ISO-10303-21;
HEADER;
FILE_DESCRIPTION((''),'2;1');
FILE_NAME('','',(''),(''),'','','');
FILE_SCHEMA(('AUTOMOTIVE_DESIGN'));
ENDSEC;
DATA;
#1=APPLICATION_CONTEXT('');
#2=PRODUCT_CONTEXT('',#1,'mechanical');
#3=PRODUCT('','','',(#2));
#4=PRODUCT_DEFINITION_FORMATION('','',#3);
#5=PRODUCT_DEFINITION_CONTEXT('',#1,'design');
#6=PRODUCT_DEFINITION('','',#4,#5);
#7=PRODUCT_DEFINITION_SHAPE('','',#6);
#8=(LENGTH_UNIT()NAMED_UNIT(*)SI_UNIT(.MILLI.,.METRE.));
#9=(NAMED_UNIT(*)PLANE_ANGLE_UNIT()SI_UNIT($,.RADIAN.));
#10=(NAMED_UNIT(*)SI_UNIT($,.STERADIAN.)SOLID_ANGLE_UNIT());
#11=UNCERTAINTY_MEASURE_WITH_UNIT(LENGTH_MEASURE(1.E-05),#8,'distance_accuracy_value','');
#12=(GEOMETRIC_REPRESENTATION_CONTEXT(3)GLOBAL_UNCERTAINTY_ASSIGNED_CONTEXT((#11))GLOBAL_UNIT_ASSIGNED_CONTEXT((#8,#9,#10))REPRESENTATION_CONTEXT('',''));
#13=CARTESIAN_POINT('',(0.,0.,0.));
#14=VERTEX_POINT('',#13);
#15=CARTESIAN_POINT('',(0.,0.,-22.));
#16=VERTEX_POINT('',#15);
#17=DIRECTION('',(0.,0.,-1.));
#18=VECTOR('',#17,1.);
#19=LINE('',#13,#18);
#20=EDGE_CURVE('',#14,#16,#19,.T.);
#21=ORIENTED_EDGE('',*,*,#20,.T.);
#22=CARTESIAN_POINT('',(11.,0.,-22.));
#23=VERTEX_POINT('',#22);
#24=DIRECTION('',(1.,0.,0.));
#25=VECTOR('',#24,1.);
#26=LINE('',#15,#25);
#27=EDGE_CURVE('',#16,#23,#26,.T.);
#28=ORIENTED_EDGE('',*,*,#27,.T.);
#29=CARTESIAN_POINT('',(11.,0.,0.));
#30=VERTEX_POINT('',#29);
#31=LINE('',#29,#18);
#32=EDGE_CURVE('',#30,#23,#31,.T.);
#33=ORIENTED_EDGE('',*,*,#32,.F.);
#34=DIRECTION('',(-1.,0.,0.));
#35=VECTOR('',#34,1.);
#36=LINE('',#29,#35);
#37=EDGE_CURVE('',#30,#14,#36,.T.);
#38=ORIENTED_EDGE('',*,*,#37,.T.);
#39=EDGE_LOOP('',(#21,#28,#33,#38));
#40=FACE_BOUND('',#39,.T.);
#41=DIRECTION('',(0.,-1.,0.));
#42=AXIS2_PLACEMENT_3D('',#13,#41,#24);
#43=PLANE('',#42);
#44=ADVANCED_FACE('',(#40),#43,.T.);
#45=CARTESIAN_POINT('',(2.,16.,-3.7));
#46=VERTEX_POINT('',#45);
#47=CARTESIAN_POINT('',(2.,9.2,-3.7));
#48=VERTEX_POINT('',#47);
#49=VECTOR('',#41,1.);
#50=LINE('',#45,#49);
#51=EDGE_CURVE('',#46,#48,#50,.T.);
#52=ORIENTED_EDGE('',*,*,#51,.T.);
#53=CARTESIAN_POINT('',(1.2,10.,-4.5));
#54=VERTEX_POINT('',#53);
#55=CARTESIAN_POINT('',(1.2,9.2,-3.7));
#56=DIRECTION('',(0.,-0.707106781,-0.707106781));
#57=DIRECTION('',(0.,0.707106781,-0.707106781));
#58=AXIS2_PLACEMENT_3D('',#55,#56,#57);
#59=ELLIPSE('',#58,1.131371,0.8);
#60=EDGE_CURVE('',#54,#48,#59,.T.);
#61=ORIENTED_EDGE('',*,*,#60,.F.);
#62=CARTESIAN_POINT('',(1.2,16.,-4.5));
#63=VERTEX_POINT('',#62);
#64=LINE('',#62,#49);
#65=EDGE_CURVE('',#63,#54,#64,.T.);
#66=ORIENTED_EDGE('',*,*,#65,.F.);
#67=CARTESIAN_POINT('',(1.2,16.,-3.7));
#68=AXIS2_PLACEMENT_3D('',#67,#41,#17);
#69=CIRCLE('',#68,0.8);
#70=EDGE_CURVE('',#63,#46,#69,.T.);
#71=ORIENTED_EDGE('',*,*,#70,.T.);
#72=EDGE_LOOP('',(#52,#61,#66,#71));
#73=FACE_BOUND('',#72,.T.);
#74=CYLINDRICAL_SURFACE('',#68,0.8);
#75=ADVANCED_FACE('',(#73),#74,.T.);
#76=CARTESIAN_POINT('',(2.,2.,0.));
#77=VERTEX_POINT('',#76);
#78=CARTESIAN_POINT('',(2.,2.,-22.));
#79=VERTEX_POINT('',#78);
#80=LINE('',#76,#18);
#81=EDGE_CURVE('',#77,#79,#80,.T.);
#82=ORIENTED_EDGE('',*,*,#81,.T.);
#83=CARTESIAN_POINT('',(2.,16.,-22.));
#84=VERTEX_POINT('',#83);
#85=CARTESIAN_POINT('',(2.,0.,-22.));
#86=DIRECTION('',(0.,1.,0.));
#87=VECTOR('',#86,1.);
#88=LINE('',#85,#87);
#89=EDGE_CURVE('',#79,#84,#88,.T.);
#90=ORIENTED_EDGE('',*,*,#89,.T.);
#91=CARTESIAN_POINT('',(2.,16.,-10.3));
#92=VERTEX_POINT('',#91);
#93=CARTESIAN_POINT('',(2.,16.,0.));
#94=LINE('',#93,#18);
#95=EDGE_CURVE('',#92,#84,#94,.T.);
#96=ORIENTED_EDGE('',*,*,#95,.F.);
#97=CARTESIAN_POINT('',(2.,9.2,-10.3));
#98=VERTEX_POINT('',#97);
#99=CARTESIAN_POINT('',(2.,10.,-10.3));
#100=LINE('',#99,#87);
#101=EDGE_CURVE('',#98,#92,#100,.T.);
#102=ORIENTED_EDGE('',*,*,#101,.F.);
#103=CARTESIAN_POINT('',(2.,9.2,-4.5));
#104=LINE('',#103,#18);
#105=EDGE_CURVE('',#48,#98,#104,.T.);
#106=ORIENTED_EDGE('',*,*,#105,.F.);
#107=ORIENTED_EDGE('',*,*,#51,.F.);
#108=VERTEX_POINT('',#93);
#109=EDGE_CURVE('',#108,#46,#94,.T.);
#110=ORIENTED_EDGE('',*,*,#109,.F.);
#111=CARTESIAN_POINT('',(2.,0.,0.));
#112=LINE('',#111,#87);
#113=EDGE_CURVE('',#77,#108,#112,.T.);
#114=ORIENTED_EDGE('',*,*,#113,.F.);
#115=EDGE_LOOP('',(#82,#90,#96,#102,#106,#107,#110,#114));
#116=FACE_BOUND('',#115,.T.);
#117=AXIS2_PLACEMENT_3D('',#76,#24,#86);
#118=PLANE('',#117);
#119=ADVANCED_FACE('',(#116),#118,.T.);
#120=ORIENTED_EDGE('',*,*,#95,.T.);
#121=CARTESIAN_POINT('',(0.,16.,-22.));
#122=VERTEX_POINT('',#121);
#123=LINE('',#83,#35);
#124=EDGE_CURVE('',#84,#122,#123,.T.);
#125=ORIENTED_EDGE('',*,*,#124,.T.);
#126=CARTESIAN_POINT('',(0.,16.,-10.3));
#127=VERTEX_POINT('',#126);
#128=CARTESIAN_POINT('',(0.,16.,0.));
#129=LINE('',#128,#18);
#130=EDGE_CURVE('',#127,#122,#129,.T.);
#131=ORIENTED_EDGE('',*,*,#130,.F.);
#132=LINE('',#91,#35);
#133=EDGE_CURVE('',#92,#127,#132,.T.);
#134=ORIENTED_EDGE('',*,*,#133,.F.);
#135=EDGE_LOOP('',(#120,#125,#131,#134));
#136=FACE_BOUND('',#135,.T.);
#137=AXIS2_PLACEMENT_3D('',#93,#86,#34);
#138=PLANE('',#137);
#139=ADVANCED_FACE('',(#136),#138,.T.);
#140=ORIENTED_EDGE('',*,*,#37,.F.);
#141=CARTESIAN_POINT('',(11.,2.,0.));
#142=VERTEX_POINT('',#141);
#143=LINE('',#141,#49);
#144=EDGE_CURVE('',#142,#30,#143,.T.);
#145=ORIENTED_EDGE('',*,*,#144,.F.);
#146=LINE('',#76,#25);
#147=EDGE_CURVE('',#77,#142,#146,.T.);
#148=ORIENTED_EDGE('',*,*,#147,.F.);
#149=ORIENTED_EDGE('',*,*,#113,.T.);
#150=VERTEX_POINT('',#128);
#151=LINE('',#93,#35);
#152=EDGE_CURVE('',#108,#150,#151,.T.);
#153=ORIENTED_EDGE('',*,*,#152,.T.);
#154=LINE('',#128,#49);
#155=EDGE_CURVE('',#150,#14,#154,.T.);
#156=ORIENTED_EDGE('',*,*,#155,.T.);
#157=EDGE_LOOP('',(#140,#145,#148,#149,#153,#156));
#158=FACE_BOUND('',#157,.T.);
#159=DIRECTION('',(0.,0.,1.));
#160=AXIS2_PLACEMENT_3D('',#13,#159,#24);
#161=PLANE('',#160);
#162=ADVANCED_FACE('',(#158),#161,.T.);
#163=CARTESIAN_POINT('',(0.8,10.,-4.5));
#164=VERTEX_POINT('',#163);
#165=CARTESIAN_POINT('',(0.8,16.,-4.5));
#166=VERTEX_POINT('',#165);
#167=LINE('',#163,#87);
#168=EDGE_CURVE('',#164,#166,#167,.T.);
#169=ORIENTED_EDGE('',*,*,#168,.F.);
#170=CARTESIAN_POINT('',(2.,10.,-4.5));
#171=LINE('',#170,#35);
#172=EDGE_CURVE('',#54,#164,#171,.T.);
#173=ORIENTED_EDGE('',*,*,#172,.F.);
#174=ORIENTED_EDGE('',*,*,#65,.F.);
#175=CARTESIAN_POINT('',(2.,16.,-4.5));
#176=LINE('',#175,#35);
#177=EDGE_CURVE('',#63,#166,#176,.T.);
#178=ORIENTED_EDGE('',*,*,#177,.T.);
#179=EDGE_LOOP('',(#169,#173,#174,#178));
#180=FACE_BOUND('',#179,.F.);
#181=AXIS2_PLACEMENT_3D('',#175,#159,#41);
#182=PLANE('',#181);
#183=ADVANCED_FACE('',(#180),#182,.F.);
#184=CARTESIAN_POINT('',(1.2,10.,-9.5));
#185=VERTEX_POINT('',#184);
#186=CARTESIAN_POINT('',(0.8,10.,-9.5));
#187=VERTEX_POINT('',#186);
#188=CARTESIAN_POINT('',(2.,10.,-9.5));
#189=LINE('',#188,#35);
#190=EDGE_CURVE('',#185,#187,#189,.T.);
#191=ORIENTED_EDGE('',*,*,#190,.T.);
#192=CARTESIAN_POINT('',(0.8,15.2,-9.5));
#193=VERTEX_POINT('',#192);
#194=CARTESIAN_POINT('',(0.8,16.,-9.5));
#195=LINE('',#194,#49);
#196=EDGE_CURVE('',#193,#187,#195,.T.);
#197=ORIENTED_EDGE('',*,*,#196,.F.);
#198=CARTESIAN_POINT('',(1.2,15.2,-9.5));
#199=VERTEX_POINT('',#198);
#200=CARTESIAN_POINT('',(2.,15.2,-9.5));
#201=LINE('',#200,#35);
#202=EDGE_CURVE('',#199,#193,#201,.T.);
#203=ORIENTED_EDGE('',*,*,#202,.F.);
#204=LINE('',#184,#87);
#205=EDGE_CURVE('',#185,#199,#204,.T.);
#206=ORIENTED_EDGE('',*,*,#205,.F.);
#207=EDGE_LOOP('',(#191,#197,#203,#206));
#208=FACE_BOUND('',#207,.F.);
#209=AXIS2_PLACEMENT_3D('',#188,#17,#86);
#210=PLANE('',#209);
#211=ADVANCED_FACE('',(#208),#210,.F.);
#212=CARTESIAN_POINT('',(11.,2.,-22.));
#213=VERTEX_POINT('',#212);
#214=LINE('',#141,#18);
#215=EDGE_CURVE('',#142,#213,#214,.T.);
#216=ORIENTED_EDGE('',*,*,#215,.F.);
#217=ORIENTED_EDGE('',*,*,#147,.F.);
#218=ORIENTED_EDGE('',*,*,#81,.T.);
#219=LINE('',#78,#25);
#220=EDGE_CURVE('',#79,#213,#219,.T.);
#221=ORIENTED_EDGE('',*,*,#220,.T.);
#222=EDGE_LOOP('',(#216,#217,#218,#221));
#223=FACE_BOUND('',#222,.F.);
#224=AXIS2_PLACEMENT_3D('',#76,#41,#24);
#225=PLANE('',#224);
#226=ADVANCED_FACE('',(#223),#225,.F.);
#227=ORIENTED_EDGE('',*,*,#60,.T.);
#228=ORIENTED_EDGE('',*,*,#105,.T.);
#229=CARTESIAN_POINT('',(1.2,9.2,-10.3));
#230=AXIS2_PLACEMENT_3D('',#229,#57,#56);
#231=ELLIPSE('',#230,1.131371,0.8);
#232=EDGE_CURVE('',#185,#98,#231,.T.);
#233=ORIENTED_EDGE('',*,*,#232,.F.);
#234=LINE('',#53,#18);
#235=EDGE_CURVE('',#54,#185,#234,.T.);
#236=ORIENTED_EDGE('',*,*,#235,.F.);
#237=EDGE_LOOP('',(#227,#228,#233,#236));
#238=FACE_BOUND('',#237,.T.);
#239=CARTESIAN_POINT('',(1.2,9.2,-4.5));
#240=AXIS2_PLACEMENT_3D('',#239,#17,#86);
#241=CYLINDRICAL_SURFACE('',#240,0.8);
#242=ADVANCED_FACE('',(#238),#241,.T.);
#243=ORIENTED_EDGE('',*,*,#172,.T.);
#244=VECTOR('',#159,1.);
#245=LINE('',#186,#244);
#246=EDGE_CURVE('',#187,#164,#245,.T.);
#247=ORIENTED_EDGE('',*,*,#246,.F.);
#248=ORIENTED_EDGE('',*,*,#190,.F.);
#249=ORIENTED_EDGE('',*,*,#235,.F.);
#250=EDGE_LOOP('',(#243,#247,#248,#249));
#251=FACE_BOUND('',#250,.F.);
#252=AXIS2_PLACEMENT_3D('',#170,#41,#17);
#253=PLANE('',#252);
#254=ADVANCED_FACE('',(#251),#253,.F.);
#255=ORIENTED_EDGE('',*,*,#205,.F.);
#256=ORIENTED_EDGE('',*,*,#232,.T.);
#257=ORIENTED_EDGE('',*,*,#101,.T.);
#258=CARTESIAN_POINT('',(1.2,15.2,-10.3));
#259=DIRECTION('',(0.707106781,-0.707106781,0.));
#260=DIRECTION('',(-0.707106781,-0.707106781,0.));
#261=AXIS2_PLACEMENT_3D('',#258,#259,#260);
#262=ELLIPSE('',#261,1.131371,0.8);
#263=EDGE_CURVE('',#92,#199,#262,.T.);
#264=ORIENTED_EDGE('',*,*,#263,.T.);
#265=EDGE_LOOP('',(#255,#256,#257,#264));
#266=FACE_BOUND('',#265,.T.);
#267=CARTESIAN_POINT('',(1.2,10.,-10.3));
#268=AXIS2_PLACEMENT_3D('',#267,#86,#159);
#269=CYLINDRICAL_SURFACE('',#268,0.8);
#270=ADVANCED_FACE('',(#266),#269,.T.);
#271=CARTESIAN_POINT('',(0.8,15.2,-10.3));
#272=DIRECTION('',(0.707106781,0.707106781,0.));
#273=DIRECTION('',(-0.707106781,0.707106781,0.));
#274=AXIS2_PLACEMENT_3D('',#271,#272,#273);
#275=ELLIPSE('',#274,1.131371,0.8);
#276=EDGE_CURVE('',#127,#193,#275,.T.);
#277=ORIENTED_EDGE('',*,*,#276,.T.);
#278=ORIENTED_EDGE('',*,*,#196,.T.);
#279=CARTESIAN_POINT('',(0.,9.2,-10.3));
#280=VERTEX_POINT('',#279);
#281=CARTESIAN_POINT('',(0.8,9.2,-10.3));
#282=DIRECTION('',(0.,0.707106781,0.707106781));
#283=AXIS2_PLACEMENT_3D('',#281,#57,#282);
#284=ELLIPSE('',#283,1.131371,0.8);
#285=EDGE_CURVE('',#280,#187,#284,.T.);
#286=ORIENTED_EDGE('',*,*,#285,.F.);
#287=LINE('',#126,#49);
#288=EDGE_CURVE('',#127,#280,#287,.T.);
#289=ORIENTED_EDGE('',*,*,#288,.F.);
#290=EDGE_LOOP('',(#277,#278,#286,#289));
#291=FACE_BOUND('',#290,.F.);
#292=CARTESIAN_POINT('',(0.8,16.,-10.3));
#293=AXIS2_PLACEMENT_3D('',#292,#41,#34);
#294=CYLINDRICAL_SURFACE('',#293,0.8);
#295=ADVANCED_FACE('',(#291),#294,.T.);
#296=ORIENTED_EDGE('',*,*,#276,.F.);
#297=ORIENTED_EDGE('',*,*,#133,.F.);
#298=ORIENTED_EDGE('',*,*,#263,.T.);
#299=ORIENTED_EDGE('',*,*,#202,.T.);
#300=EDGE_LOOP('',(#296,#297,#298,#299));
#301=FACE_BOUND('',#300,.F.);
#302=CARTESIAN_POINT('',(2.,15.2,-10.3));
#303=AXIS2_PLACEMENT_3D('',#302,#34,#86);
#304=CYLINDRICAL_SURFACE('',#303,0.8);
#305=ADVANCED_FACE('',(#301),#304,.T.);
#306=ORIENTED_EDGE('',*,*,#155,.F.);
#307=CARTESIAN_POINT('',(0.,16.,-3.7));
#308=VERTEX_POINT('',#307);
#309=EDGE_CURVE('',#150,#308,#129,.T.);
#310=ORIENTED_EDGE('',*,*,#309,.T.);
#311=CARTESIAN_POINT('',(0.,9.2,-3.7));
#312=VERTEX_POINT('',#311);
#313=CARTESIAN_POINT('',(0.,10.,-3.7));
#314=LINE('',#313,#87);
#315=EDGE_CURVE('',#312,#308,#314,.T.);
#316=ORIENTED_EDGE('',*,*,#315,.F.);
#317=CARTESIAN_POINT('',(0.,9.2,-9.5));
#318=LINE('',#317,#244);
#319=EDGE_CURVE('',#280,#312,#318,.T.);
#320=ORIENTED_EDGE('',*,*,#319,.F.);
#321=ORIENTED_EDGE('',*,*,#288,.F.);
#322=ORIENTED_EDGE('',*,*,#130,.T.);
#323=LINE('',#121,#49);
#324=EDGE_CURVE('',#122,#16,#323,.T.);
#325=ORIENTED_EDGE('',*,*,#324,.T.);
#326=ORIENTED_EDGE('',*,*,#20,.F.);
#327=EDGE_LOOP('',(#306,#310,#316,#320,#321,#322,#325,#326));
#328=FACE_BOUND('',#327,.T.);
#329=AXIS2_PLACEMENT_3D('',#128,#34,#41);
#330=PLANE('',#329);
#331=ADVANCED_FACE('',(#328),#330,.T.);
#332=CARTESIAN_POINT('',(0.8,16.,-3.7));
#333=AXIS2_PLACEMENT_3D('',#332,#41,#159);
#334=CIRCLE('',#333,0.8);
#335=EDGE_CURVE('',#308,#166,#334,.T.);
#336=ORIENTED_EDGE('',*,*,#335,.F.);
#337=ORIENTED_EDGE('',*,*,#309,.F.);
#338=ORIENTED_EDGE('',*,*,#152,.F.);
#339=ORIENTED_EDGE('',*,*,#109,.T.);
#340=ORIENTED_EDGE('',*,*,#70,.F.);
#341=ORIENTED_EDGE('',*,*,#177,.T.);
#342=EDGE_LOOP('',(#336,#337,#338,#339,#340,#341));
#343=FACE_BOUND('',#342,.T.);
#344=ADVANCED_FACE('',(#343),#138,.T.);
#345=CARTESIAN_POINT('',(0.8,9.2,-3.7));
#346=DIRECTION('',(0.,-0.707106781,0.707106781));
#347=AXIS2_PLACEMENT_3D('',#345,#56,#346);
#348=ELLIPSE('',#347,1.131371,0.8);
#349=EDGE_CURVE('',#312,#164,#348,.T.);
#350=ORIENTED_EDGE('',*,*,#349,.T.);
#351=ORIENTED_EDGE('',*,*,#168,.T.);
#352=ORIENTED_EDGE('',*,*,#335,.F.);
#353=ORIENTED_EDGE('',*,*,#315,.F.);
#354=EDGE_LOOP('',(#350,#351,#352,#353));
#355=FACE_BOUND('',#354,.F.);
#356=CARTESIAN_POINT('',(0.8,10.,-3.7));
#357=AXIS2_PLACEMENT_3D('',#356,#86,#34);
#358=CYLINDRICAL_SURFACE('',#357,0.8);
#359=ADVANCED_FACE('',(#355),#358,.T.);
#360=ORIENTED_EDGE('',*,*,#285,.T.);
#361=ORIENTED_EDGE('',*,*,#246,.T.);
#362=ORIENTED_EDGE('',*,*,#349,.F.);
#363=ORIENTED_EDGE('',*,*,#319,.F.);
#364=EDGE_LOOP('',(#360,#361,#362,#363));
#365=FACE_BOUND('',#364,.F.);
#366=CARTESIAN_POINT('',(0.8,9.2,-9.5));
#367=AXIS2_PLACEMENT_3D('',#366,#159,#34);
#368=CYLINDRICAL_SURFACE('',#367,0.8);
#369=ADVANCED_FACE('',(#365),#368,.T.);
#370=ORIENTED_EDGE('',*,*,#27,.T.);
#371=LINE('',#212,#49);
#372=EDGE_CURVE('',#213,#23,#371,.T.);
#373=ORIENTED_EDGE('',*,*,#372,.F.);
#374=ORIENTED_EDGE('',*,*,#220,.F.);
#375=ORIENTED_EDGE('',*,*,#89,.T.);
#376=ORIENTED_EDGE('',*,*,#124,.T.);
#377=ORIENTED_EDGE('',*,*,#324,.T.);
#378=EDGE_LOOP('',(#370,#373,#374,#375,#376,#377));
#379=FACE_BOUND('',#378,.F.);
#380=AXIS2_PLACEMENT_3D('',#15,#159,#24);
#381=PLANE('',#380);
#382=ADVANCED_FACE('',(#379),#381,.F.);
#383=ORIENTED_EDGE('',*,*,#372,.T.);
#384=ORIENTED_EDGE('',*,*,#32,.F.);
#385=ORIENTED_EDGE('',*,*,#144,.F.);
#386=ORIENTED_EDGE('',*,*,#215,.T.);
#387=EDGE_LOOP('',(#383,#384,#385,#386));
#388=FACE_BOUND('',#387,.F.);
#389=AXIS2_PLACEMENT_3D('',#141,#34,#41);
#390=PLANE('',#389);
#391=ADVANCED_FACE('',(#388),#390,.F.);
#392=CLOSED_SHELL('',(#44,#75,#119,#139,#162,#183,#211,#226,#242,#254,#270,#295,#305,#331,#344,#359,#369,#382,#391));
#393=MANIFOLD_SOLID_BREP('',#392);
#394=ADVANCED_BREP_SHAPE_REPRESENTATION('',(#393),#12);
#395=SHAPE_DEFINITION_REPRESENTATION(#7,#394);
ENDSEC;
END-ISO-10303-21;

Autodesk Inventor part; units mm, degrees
ref_plane "YZ Plane" through (0, 0, 0) normal (1, 0, 0) x (0, 1, 0)
ref_plane "XZ Plane" through (0, 0, 0) normal (0, 1, 0) x (-1, 0, 0)
ref_plane "XY Plane" through (0, 0, 0) normal (0, 0, 1) x (1, 0, 0)
sketch "Sketch1" plane through (0, 0, 0) normal (0, 0, 1) x (1, 0, 0)
  line L0 (0, 0) -> (2, 0)
  line L1 (2, 0) -> (2, 16)
  line L2 (2, 16) -> (0, 16)
  line L3 (0, 16) -> (0, 0)
  line L4 (2, 2) -> (11, 2)
  line L5 (11, 2) -> (11, 0)
  line L6 (11, 0) -> (2, 0)
  line L7 (2, 0) -> (2, 2)
  dimension "d0" = 2
  dimension "d1" = 16
  dimension "d2" = 9
extrude "Extrusion1" add sketch "Sketch1" against normal blind 22
sketch "Sketch3" plane through (2, 2, 0) normal (1, 0, 0) x (0, 0, -1)
  line L0 (9.5, 14) -> (4.5, 14)
  line L1 (4.5, 14) -> (4.5, 8)
  line L2 (4.5, 8) -> (9.5, 8)
  line L3 (9.5, 8) -> (9.5, 14)
  point P0 (0, -2)
  dimension "d9" = 5
  dimension "d10" = 6
extrude "Extrusion3" cut sketch "Sketch3" against normal blind 10
fillet "Fillet1" radius 0.8 7 edges at (2, 10, -7) (0, 10, -7) (1, 16, -9.5) (2, 13, -9.5) (0, 13, -9.5) (2, 13, -4.5) (0, 13, -4.5)
properties part number "housing_mate_v08"
